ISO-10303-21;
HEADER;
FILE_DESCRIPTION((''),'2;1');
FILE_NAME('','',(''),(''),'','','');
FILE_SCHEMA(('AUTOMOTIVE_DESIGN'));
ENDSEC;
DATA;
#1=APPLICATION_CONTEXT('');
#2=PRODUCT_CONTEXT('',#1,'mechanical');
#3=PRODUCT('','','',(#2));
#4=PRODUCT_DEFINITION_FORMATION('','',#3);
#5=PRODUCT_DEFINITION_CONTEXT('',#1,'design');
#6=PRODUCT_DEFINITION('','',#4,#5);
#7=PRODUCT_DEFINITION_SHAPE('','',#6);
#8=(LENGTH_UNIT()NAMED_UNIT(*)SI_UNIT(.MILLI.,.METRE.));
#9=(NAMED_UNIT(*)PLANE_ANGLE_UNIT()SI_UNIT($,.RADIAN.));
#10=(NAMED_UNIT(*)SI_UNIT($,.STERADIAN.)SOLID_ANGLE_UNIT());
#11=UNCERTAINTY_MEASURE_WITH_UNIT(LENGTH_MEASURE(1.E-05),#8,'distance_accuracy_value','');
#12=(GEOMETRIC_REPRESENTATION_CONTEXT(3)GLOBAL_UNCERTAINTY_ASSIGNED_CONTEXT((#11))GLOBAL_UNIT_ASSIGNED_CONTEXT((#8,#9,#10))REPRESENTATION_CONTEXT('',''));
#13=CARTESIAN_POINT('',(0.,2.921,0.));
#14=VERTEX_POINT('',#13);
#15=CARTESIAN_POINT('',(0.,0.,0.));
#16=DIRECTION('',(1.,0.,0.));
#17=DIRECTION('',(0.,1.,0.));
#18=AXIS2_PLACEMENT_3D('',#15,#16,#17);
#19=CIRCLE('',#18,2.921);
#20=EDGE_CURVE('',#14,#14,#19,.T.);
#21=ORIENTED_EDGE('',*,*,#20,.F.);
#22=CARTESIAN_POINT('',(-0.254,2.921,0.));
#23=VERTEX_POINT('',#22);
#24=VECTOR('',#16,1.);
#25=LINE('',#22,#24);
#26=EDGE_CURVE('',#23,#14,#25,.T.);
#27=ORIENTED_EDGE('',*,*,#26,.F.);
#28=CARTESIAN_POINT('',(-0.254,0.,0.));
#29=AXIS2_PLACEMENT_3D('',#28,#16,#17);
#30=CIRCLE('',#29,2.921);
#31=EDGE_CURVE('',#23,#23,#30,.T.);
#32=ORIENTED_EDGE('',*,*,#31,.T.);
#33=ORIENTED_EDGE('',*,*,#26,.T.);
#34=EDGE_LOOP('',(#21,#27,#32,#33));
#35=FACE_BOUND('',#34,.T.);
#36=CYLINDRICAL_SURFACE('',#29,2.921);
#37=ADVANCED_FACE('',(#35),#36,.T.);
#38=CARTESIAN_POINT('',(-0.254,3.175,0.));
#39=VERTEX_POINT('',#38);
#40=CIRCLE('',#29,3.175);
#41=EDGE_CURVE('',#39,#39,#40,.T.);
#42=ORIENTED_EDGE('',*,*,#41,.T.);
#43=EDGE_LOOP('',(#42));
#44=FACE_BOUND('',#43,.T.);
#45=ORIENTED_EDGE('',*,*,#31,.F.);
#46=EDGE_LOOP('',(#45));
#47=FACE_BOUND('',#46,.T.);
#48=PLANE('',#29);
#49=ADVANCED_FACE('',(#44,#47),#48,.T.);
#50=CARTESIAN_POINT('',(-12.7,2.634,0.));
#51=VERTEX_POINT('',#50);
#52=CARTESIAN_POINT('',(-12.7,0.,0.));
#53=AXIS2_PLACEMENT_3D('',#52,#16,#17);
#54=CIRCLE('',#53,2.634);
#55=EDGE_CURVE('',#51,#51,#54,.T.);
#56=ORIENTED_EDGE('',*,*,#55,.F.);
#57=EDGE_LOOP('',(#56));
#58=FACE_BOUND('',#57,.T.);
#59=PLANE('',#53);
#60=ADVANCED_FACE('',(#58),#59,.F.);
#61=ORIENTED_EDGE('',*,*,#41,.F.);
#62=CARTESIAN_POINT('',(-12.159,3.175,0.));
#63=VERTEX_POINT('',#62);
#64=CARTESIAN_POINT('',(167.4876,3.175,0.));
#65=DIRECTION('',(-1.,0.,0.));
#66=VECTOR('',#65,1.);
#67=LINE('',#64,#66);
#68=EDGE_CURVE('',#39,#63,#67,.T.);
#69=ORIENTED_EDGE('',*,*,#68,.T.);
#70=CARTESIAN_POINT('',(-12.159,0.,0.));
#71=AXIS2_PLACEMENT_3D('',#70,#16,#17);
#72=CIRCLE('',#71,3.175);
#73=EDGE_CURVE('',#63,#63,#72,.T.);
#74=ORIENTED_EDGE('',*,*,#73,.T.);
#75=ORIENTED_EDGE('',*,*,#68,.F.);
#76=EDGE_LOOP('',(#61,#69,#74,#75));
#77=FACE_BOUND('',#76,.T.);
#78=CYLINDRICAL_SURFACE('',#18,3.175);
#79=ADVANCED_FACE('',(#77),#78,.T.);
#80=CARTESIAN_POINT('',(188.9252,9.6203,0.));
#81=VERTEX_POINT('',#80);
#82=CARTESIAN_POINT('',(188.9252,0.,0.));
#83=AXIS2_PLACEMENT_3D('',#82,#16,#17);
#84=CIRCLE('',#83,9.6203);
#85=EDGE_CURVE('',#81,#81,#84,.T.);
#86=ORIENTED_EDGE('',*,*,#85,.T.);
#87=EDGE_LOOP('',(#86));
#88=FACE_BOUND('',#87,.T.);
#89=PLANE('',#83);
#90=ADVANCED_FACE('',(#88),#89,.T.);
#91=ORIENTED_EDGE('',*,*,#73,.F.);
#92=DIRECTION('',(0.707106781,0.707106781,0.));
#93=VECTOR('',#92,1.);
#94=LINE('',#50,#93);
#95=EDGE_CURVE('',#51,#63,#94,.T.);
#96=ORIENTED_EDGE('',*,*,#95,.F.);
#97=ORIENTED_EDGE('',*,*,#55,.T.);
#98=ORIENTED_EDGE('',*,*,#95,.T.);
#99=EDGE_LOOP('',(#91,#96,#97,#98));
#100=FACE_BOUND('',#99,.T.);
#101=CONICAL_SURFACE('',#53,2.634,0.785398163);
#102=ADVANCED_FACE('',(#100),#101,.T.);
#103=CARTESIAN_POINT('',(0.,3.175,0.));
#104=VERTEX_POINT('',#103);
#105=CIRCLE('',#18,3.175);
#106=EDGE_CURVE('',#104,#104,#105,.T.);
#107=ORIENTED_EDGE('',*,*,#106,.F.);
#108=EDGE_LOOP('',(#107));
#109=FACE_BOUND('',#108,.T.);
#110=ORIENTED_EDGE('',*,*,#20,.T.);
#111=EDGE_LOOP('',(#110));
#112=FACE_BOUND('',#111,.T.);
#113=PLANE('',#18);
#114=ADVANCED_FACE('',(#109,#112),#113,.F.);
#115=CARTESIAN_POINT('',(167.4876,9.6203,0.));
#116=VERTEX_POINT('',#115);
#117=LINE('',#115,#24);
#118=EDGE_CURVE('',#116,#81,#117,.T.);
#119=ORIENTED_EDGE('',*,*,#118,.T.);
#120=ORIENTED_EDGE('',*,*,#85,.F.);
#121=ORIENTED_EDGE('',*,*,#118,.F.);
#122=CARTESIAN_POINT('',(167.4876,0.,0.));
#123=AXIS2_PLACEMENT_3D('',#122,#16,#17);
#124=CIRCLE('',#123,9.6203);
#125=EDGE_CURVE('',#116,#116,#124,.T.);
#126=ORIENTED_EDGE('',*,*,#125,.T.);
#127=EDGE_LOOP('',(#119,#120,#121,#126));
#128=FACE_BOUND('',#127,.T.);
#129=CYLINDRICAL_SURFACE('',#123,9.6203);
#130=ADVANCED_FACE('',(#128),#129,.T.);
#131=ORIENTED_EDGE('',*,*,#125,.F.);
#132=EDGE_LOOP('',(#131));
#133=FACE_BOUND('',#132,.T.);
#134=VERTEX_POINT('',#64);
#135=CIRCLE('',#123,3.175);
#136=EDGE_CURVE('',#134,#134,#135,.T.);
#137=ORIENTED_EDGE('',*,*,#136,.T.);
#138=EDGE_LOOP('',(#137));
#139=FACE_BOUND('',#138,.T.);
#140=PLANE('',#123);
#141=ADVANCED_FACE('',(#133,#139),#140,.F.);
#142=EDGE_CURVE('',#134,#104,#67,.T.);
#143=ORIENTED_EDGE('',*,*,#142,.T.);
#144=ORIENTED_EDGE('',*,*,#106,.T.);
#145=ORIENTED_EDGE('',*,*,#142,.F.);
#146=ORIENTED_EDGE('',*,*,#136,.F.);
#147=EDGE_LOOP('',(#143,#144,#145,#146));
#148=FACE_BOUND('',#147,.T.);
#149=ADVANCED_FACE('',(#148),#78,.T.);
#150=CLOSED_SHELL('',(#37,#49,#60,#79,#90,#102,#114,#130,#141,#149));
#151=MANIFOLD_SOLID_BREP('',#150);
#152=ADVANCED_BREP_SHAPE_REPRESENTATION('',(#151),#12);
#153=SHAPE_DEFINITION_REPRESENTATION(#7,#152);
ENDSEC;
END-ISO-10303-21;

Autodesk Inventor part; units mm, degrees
sketch "Sketch_1" plane through (0, 0, 0) normal (0, 0, 1) x (1, 0, 0)
  line L0 (188.9252, 0) -> (0, 0)
  line L1 (0, 0) -> (0, 3.175)
  line L2 (0, 3.175) -> (167.4876, 3.175)
  line L3 (167.4876, 3.175) -> (167.4876, 9.6203)
  line L4 (167.4876, 9.6203) -> (188.9252, 9.6203)
  line L5 (188.9252, 9.6203) -> (188.9252, 0)
  line L6 (188.9252, 0) -> (0, 0)
revolve "Revolution1" add sketch "Sketch_1" angle 360 about axis through (188.9252, 0, 0) along (1, 0, 0)
sketch "Sketch_3" plane through (0, 0, 0) normal (0, 0, 1) x (1, 0, 0)
  line L0 (0, 0) -> (-12.7, 0)
  line L1 (-12.7, 0) -> (-12.7, 2.634)
  line L2 (-12.7, 2.634) -> (-12.159, 3.175)
  line L3 (-12.159, 3.175) -> (0, 3.175)
  line L4 (0, 3.175) -> (0, 0)
  line L5 (0, 0) -> (-12.7, 0)
revolve "Revolution2" add sketch "Sketch_3" angle 360 about axis through (0, 0, 0) along (1, 0, 0)
thread "Thread1" size "1/4-28 UNF" class "3A" standard "ANSI Unified Screw Threads" length 12.7 offset 167.4876
sketch "Sketch_30" plane through (0, 0, 0) normal (0, 0, 1) x (1, 0, 0)
  line L0 (0, 0) -> (-0.254, 0)
  line L1 (-0.254, 3.429) -> (-0.254, 2.921)
  line L2 (-0.254, 2.921) -> (0, 2.921)
  line L3 (0, 2.921) -> (0, 3.429)
  line L4 (0, 3.429) -> (-0.254, 3.429)
revolve "Revolution3" cut sketch "Sketch_30" angle 360 about axis through (0, 0, 0) along (1, 0, 0)
ref_plane "rod_cp_XY" through (0, 0, 0) normal (1, 0, 0) x (0, 0, -1)
ref_plane "rod_cp_YZ" through (0, 0, 0) normal (0, 0, -1) x (0, 1, 0)
ref_plane "rod_cp_ZX" through (0, 0, 0) normal (0, 1, 0) x (1, 0, 0)
ref_plane "to_rod_clevis_XY" through (-12.7, 0, 0) normal (1, 0, 0) x (0, 0, -1)
ref_plane "to_rod_clevis_YZ" through (-12.7, 0, 0) normal (0, 0, -1) x (0, 1, 0)
ref_plane "to_rod_clevis_ZX" through (-12.7, 0, 0) normal (0, 1, 0) x (1, 0, 0)
ref_plane "rl2_XY" through (0, 0, 0) normal (1, 0, 0) x (0, 0, -1)
ref_plane "rl2_YZ" through (0, 0, 0) normal (0, 0, -1) x (0, 1, 0)
ref_plane "rl2_ZX" through (0, 0, 0) normal (0, 1, 0) x (1, 0, 0)
ref_plane "rl1_XY" through (-12.7, 0, 0) normal (1, 0, 0) x (0, 0, -1)
ref_plane "rl1_YZ" through (-12.7, 0, 0) normal (0, 0, -1) x (0, 1, 0)
ref_plane "rl1_ZX" through (-12.7, 0, 0) normal (0, 1, 0) x (1, 0, 0)
ref_plane "thd1_XY" through (-12.7, 3.175, 0) normal (1, 0, 0) x (0, 0, -1)
ref_plane "thd1_YZ" through (-12.7, 3.175, 0) normal (0, 0, -1) x (0, 1, 0)
ref_plane "thd1_ZX" through (-12.7, 3.175, 0) normal (0, 1, 0) x (1, 0, 0)
ref_plane "thd2_XY" through (-12.7, -3.175, 0) normal (1, 0, 0) x (0, 0, -1)
ref_plane "thd2_YZ" through (-12.7, -3.175, 0) normal (0, 0, -1) x (0, 1, 0)
ref_plane "thd2_ZX" through (-12.7, -3.175, 0) normal (0, 1, 0) x (1, 0, 0)
ref_plane "dia1_XY" through (0, 3.175, 0) normal (1, 0, 0) x (0, 0, -1)
ref_plane "dia1_YZ" through (0, 3.175, 0) normal (0, 0, -1) x (0, 1, 0)
ref_plane "dia1_ZX" through (0, 3.175, 0) normal (0, 1, 0) x (1, 0, 0)
ref_plane "dia2_XY" through (0, -3.175, 0) normal (1, 0, 0) x (0, 0, -1)
ref_plane "dia2_YZ" through (0, -3.175, 0) normal (0, 0, -1) x (0, 1, 0)
ref_plane "dia2_ZX" through (0, -3.175, 0) normal (0, 1, 0) x (1, 0, 0)
ref_plane "hh1_XY" through (219.0496, 0, 0) normal (0, 0, 1) x (1, 0, 0)
ref_plane "hh1_YZ" through (219.0496, 0, 0) normal (1, 0, 0) x (0, 1, 0)
ref_plane "hh1_ZX" through (219.0496, 0, 0) normal (0, 1, 0) x (0, 0, 1)
ref_plane "hh2_XY" through (225.4504, 0, 0) normal (0, 0, 1) x (1, 0, 0)
ref_plane "hh2_YZ" through (225.4504, 0, 0) normal (1, 0, 0) x (0, 1, 0)
ref_plane "hh2_ZX" through (225.4504, 0, 0) normal (0, 1, 0) x (0, 0, 1)
ref_plane "dia12_XY" through (0, 0, 10.9537) normal (1, 0, 0) x (0, 0, -1)
ref_plane "dia12_YZ" through (0, 0, 10.9537) normal (0, 0, -1) x (0, 1, 0)
ref_plane "dia12_ZX" through (0, 0, 10.9537) normal (0, 1, 0) x (1, 0, 0)
ref_plane "dia22_XY" through (0, 0, -10.9537) normal (1, 0, 0) x (0, 0, -1)
ref_plane "dia22_YZ" through (0, 0, -10.9537) normal (0, 0, -1) x (0, 1, 0)
ref_plane "dia22_ZX" through (0, 0, -10.9537) normal (0, 1, 0) x (1, 0, 0)
properties part number "045-DXP0_rod"
